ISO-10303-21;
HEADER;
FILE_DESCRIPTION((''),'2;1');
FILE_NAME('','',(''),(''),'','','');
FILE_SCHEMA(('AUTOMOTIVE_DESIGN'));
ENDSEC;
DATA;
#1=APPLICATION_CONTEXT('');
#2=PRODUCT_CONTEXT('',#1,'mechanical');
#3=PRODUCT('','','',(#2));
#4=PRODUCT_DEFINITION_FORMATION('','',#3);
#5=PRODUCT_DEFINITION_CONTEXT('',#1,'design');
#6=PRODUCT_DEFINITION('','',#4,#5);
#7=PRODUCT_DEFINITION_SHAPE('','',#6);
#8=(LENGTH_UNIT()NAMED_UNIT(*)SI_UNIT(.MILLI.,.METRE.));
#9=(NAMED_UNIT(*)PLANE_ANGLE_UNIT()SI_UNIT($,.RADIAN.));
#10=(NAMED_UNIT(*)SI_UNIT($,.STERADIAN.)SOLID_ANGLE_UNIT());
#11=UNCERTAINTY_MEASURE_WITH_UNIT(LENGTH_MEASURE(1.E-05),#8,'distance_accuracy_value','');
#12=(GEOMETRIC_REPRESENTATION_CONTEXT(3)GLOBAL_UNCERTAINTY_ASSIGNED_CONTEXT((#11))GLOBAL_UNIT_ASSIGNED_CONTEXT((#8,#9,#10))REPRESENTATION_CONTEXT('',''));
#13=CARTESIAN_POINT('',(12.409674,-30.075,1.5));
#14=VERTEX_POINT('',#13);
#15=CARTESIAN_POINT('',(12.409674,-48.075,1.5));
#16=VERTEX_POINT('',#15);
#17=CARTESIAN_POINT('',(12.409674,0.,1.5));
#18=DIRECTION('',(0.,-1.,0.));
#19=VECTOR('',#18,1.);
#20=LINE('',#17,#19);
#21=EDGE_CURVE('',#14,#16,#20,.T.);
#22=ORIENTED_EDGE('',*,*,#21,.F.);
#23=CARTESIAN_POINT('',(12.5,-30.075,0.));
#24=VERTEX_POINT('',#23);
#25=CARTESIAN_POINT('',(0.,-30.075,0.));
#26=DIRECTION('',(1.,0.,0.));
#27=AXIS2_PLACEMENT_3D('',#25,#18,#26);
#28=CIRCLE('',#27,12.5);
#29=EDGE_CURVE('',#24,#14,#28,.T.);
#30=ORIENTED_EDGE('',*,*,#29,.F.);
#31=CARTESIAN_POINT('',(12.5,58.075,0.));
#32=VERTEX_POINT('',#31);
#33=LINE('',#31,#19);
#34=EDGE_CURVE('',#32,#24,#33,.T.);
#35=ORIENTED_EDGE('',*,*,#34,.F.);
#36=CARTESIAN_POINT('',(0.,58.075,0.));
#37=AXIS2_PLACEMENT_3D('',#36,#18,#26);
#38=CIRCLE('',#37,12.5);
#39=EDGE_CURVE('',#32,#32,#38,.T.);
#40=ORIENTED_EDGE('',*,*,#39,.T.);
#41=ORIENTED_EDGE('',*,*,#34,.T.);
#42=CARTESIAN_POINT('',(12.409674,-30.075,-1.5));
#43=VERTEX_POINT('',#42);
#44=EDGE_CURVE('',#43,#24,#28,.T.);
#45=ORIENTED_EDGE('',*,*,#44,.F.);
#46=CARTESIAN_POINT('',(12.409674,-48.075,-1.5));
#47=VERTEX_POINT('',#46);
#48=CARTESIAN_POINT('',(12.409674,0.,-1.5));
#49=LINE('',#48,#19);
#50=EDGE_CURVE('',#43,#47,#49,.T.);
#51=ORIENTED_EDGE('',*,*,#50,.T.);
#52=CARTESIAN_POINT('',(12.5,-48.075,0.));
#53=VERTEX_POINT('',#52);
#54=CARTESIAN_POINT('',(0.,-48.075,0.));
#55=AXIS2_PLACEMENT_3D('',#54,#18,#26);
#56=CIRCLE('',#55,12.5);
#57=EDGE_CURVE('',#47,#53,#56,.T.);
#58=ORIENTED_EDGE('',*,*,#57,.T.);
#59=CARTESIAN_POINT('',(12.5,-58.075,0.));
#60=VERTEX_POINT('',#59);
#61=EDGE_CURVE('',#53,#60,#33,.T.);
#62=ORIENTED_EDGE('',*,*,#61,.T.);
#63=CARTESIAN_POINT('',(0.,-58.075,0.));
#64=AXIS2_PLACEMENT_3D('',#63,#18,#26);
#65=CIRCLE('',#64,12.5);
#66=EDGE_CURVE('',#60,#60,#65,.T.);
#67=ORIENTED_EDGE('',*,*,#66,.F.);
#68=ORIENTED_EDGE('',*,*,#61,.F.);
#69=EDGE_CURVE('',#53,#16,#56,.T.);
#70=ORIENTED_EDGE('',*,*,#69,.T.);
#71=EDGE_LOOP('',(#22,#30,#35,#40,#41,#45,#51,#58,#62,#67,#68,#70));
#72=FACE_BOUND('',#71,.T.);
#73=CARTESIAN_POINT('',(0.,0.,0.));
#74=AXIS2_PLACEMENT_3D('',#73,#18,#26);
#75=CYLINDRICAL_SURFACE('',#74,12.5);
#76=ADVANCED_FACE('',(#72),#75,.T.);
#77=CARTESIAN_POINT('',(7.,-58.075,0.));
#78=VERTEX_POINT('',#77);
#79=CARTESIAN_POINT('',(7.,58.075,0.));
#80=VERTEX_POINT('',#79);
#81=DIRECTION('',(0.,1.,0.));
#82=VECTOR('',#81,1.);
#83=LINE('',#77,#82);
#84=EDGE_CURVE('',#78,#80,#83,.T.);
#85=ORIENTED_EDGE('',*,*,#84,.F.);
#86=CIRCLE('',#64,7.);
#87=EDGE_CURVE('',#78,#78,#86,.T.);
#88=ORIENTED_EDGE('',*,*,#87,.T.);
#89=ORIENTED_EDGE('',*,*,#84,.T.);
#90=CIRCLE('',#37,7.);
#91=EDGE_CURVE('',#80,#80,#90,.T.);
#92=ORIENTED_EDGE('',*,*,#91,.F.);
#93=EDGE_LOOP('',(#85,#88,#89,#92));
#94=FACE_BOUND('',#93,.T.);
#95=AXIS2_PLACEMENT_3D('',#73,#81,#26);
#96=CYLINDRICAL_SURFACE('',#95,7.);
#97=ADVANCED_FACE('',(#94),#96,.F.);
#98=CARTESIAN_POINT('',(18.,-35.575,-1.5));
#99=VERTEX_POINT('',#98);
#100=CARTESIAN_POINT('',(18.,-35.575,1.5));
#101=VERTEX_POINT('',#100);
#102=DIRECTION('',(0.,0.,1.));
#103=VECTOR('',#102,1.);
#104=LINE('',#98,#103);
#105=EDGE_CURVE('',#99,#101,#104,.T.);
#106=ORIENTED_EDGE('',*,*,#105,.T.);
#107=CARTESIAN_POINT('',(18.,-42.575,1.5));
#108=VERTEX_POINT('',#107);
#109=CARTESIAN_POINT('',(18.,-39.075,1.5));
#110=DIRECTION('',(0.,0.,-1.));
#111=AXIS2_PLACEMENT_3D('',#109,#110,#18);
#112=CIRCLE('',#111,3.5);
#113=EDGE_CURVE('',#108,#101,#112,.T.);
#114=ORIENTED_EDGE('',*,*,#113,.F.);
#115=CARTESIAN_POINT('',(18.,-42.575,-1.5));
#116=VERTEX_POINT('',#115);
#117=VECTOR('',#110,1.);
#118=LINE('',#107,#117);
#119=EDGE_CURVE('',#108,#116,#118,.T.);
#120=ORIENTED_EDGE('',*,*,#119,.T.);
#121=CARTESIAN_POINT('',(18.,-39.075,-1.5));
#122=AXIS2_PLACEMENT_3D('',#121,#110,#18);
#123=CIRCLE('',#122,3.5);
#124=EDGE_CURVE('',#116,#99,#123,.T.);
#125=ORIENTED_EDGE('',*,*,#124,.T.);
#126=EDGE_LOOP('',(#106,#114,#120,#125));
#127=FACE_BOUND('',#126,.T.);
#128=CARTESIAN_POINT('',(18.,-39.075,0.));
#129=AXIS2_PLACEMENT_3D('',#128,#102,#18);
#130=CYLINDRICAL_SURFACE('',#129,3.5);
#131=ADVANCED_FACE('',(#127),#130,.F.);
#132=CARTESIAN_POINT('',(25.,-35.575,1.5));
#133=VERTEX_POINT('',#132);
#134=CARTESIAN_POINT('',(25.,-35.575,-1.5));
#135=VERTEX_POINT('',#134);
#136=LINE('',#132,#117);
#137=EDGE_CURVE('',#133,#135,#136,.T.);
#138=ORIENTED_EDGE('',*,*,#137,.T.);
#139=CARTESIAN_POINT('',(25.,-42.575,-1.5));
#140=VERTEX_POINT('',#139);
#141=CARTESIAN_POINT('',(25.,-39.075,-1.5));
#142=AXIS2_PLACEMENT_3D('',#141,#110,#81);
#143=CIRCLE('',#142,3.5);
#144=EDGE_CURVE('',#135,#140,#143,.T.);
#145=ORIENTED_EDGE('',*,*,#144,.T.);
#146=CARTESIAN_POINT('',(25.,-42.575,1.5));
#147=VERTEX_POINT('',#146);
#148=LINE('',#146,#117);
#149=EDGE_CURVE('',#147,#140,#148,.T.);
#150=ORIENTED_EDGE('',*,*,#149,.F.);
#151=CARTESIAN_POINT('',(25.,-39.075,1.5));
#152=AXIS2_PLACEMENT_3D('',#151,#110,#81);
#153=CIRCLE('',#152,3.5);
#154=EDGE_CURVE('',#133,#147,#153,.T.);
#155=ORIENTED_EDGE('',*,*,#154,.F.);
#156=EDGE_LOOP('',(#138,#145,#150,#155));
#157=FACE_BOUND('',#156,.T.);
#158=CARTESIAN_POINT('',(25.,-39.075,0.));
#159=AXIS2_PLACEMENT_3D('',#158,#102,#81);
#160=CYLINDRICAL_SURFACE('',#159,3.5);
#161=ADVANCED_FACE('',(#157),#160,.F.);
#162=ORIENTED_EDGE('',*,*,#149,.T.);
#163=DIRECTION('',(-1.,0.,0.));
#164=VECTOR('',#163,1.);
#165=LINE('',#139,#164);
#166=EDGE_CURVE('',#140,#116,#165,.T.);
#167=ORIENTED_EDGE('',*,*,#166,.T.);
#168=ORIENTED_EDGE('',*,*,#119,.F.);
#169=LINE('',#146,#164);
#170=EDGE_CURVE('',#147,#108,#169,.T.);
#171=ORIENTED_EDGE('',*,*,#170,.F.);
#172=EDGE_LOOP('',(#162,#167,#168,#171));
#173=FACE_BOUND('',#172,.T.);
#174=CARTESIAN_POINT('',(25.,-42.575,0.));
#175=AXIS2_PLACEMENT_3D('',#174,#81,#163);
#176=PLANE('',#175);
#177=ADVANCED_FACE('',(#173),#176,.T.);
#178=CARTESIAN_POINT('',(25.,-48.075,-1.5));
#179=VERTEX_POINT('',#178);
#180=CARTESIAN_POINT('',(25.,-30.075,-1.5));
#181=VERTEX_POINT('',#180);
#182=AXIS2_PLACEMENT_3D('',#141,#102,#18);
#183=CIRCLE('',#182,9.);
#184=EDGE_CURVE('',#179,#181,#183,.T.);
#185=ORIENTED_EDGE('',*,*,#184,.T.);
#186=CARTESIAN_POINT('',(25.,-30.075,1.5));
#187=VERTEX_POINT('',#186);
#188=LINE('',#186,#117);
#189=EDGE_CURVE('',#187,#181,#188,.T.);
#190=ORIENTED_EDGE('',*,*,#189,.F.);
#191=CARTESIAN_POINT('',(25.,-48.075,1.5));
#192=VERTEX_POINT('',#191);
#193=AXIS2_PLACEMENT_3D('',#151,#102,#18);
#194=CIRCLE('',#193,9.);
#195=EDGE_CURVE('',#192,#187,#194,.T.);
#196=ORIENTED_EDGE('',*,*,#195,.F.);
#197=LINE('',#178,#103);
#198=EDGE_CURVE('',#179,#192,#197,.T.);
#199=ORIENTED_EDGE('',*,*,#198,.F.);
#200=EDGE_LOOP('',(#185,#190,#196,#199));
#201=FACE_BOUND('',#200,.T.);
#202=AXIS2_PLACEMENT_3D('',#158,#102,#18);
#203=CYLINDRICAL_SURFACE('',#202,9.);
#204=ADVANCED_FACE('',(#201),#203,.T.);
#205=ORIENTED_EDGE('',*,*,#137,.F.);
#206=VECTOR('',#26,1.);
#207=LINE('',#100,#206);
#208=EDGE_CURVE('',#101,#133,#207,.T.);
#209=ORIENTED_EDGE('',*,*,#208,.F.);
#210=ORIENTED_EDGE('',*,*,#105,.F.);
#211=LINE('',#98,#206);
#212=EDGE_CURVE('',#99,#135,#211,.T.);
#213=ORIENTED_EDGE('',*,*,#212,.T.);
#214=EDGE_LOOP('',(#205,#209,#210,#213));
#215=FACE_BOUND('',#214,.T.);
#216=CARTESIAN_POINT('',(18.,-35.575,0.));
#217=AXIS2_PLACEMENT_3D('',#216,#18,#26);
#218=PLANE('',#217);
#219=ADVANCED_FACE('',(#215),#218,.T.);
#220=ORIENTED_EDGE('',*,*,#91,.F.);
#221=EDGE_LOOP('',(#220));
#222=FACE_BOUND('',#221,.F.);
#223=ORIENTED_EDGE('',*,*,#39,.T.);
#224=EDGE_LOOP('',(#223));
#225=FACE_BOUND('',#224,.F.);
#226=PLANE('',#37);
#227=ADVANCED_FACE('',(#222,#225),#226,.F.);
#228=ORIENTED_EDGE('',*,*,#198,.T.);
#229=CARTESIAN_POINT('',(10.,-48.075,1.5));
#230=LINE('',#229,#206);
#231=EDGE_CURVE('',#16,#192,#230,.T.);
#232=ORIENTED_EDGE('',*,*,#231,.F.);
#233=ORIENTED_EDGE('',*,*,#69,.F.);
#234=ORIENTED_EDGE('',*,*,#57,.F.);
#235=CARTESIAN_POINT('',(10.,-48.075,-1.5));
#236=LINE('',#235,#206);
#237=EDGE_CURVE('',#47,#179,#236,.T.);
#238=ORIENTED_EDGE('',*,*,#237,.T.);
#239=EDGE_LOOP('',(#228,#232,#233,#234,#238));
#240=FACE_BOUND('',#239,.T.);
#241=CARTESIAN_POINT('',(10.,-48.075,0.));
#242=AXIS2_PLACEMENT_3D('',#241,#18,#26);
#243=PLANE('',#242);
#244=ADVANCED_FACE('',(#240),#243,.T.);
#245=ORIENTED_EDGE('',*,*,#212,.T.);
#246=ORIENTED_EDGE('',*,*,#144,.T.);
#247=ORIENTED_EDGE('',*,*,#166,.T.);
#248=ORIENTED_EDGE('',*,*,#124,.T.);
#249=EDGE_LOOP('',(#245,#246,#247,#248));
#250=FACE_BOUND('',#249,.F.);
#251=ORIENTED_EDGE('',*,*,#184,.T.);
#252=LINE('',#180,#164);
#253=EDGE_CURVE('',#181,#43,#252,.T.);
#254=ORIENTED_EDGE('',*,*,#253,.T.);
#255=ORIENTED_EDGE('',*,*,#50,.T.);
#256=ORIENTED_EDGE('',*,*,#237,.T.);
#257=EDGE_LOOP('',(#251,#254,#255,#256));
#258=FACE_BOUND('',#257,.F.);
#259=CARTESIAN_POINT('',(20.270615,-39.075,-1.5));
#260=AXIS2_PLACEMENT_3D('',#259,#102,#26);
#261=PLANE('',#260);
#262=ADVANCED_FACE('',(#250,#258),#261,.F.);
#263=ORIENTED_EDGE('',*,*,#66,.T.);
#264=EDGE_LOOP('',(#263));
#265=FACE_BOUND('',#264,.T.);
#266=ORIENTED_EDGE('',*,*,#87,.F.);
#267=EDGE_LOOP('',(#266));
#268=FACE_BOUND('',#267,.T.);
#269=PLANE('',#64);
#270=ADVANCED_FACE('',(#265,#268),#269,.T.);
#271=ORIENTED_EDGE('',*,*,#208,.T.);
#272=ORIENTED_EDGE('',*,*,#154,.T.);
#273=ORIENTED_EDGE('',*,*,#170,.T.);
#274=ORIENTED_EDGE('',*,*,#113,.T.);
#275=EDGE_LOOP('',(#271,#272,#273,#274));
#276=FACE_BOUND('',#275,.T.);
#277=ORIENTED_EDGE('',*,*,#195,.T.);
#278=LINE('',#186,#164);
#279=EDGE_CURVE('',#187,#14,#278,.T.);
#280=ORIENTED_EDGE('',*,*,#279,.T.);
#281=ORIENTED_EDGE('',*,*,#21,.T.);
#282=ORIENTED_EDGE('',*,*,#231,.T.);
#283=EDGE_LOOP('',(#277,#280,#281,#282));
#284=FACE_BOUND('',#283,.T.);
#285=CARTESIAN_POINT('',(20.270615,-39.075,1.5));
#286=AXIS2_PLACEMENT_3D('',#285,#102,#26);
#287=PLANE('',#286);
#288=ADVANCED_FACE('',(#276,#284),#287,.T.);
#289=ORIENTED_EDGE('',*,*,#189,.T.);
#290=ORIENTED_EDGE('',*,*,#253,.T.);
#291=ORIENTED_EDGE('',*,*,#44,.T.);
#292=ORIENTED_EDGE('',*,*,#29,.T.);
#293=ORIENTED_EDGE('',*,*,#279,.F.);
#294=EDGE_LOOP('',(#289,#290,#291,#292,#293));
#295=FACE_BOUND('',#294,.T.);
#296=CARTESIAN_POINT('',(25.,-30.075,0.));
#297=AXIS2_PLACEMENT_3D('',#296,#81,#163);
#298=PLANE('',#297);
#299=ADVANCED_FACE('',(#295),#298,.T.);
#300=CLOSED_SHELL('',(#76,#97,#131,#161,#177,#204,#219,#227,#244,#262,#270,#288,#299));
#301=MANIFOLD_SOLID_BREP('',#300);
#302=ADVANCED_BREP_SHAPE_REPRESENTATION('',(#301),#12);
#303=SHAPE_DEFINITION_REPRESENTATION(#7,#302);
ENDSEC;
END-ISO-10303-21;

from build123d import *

# Parameters (mm, degrees)
F0_R     = 12.5
F0_R_2   = 7
F1_DEPTH = 58.075
F3_DEPTH = 1.5


with BuildPart() as f1:
    # F0 (on Front) → F1 (new body, symmetric)
    with BuildSketch(Plane.XZ):
        Circle(F0_R)
        Circle(F0_R_2, mode=Mode.SUBTRACT)
    extrude(amount=F1_DEPTH, both=True)

    # F2 (on Top) → F3 (join, symmetric)
    with BuildSketch(Plane.XY):
        with BuildLine():
            Line((10, -30.075), (10, -48.075))
            Line((10, -48.075), (25, -48.075))
            ThreePointArc((25, -48.075), (34, -39.075), (25, -30.075))
            Line((25, -30.075), (10, -30.075))
        make_face()
        with BuildLine():
            Line((18, -35.575), (25, -35.575))
            ThreePointArc((25, -35.575), (28.5, -39.075), (25, -42.575))
            Line((25, -42.575), (18, -42.575))
            ThreePointArc((18, -42.575), (14.5, -39.075), (18, -35.575))
        make_face(mode=Mode.SUBTRACT)
    extrude(amount=F3_DEPTH, both=True)


solid = f1.part
